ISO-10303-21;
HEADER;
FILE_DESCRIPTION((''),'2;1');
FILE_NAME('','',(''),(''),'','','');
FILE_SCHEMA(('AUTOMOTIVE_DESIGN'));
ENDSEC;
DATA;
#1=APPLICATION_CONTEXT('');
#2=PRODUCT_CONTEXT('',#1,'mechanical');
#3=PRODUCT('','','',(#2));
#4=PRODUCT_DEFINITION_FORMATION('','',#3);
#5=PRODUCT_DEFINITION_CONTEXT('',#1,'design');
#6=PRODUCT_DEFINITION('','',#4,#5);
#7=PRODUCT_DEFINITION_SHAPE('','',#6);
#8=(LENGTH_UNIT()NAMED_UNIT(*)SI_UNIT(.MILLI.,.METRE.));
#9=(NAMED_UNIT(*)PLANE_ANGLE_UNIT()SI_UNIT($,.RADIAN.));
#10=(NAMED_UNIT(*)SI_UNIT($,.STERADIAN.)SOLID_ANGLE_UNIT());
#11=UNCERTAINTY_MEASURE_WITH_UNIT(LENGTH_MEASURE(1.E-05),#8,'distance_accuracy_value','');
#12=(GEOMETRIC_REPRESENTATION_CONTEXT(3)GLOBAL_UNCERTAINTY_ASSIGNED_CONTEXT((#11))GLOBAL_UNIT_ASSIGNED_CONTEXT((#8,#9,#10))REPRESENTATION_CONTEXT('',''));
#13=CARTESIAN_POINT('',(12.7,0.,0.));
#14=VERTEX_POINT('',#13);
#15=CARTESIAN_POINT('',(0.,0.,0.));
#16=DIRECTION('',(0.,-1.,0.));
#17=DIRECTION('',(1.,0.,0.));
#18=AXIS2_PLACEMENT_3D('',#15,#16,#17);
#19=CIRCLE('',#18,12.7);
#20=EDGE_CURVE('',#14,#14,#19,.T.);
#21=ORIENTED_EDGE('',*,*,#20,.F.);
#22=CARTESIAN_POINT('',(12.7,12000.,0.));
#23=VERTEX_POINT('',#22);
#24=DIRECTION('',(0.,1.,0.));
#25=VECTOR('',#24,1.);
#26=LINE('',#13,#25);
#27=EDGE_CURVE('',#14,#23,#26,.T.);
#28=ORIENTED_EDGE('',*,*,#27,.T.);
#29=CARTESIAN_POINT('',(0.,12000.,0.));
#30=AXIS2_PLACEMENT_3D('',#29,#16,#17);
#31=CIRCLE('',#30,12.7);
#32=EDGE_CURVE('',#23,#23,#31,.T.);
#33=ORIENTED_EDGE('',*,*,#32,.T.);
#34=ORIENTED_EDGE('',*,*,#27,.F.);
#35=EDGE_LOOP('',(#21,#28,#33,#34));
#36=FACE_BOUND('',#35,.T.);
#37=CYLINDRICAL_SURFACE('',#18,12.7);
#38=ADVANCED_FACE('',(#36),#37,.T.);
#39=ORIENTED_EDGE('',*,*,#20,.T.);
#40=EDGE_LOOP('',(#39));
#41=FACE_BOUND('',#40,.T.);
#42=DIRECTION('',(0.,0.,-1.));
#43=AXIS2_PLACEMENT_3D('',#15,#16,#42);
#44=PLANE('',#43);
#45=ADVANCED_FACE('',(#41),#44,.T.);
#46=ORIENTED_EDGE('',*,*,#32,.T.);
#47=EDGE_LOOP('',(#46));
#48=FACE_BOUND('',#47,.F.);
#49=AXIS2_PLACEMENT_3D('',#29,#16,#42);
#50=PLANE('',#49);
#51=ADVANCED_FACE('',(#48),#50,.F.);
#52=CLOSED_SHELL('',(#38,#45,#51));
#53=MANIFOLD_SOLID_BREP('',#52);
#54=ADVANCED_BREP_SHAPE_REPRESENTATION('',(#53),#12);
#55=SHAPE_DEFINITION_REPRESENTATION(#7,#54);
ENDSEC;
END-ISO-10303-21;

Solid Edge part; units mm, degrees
sketch "Sketch1" plane through (0, 0, 0) normal (0, -1, 0) x (1, 0, 0)
  circle A0 centre (0, 0) radius 12.7
extrude "Protrusion1" add sketch "Sketch1" against normal blind 12000
